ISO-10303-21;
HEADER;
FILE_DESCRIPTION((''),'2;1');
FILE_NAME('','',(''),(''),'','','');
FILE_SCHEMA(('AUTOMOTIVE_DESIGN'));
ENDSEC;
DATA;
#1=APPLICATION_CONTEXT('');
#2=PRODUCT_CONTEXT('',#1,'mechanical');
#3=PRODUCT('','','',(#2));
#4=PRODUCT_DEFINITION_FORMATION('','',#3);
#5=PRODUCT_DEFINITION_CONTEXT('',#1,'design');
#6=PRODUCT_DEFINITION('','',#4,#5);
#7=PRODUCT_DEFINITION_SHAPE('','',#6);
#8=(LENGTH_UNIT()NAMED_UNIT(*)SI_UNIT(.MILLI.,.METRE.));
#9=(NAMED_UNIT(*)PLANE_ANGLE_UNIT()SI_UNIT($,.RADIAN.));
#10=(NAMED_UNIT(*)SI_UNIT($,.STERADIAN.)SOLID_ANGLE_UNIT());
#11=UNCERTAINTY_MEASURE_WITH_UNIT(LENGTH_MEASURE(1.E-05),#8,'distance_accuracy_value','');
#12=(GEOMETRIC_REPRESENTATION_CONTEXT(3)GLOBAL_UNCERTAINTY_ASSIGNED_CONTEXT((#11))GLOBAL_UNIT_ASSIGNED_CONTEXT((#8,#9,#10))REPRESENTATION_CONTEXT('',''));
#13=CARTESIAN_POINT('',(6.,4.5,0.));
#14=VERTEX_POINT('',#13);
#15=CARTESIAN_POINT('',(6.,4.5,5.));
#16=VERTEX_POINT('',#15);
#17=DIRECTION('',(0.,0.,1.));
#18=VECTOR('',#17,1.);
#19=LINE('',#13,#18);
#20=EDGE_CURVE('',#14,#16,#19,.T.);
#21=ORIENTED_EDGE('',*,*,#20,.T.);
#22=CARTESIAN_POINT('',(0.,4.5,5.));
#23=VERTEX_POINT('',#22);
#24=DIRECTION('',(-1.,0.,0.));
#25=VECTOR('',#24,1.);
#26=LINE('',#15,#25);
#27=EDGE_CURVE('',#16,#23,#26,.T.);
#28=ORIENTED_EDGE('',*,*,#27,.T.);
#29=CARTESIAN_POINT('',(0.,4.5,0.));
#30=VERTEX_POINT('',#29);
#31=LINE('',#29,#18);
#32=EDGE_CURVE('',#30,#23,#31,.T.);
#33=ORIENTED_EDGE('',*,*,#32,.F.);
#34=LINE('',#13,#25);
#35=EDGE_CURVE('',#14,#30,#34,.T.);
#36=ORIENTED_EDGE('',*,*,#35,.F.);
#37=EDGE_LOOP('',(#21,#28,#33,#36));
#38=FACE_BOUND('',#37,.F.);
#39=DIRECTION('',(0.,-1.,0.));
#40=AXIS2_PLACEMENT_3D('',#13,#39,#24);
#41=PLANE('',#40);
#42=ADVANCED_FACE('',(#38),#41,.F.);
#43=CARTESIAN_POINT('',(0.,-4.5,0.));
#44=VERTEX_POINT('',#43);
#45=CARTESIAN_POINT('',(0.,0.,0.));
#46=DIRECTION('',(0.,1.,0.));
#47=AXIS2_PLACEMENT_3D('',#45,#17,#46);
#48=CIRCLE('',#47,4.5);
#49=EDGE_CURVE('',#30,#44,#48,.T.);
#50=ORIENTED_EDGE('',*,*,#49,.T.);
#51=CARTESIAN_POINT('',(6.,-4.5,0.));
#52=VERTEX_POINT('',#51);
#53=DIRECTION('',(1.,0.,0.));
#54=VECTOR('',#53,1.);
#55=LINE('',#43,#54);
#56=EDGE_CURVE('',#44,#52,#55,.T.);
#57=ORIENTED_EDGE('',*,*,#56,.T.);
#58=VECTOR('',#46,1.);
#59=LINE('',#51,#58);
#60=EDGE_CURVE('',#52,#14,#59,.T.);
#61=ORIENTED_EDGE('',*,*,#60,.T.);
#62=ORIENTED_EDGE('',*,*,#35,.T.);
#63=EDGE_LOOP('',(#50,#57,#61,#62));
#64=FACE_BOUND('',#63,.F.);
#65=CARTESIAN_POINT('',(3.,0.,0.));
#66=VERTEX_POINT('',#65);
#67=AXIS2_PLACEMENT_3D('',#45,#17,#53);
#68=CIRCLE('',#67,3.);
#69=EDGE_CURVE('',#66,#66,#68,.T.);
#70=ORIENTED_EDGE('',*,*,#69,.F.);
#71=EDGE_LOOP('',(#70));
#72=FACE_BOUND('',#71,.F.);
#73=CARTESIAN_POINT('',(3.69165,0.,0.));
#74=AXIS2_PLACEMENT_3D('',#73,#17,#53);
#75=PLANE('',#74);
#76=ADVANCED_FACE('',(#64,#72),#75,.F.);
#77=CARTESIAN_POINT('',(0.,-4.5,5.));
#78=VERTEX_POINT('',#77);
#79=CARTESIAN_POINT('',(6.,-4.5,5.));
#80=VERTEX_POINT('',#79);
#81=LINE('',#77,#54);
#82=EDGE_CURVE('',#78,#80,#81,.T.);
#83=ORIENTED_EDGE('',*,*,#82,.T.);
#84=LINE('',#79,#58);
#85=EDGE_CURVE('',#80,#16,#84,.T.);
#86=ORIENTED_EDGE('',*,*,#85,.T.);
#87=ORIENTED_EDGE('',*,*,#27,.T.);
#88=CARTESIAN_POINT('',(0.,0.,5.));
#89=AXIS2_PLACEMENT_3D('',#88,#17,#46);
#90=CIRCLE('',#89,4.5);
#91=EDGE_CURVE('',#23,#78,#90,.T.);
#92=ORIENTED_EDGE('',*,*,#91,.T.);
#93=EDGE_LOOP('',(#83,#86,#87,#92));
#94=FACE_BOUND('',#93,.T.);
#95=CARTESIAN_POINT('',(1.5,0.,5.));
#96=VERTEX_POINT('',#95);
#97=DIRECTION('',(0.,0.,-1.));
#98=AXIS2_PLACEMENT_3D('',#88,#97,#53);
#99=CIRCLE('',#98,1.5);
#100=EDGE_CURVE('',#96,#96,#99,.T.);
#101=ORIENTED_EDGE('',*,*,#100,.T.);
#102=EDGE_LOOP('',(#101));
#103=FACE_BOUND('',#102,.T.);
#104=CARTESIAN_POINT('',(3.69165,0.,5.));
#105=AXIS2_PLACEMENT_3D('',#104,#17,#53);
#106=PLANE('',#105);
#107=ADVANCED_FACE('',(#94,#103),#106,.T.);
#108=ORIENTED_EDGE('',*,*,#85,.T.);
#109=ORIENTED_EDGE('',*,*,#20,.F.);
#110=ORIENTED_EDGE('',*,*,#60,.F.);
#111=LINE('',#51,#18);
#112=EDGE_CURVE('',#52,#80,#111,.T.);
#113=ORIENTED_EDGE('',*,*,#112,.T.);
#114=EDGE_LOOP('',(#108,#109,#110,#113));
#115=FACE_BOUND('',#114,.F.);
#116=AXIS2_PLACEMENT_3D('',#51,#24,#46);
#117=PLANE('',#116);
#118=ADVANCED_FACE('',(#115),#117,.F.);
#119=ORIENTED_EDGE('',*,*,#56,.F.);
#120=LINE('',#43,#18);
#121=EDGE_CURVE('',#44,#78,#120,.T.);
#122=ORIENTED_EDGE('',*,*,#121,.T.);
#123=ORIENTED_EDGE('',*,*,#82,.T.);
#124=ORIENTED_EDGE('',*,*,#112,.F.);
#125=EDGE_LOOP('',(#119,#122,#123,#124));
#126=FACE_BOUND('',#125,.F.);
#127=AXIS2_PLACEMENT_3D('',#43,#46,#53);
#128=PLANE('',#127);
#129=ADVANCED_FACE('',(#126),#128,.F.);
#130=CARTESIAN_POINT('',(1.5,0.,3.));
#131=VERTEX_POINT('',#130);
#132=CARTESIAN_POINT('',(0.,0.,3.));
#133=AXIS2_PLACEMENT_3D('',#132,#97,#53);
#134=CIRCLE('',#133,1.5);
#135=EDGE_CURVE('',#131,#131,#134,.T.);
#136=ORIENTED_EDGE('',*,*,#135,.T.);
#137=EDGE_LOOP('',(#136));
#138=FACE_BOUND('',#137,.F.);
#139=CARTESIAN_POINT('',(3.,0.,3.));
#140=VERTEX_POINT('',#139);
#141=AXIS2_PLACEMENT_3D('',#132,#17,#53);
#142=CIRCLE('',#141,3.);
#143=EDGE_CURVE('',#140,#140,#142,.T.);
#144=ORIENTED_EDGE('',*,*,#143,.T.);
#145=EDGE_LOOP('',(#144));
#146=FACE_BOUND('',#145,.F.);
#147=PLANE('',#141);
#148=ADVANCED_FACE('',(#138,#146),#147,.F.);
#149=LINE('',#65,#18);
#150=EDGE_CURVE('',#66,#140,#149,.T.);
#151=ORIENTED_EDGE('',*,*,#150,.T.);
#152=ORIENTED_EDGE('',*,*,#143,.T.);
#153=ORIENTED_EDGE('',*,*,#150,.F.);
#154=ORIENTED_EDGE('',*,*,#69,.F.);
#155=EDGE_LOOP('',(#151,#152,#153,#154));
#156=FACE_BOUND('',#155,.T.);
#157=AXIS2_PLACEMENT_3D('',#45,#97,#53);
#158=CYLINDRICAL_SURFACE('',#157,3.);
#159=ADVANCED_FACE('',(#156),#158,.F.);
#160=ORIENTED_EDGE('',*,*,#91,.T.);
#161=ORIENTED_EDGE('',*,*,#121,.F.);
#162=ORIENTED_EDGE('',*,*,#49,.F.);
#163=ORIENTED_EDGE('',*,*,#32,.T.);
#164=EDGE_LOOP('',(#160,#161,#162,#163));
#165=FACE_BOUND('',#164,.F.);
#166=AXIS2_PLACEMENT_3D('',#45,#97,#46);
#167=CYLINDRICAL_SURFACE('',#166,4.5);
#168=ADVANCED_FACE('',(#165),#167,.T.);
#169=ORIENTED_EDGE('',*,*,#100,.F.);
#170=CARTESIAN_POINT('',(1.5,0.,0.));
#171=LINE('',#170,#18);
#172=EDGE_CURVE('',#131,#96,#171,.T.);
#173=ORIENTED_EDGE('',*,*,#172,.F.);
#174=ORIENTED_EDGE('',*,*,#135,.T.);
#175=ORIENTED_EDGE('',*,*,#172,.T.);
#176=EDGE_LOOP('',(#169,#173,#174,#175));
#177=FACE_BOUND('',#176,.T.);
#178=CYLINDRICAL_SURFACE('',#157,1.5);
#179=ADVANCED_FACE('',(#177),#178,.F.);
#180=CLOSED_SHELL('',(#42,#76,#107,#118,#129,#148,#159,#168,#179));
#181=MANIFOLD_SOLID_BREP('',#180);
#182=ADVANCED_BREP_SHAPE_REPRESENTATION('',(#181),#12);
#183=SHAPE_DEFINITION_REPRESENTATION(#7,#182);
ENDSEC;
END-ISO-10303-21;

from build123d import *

# Parameters (mm, degrees)
F1_DEPTH = 5
F2_R     = 1.5
F3_DEPTH = 18.5
F4_R     = 3
F5_DEPTH = 3


with BuildPart() as f1:
    # F0 (on Top) → F1 (new body)
    with BuildSketch(Plane.XY):
        with BuildLine():
            ThreePointArc((0, 4.5), (3.181981, 3.181981), (4.5, 0))
            ThreePointArc((4.5, 0), (3.181981, -3.181981), (0, -4.5))
            Line((0, -4.5), (6, -4.5))
            Line((6, -4.5), (6, 4.5))
            Line((6, 4.5), (0, 4.5))
        make_face()
        with BuildLine():
            ThreePointArc((0, -4.5), (3.181981, -3.181981), (4.5, 0))
            ThreePointArc((4.5, 0), (3.181981, 3.181981), (0, 4.5))
            ThreePointArc((0, 4.5), (-4.5, 0), (0, -4.5))
        make_face()
    extrude(amount=F1_DEPTH)

    # F2 (on Top) → F3 (cut)
    with BuildSketch(Plane.XY):
        Circle(F2_R)
    extrude(amount=F3_DEPTH, mode=Mode.SUBTRACT)

    # F4 (on Top) → F5 (cut)
    with BuildSketch(Plane.XY):
        Circle(F4_R)
    extrude(amount=F5_DEPTH, mode=Mode.SUBTRACT)


solid = f1.part
